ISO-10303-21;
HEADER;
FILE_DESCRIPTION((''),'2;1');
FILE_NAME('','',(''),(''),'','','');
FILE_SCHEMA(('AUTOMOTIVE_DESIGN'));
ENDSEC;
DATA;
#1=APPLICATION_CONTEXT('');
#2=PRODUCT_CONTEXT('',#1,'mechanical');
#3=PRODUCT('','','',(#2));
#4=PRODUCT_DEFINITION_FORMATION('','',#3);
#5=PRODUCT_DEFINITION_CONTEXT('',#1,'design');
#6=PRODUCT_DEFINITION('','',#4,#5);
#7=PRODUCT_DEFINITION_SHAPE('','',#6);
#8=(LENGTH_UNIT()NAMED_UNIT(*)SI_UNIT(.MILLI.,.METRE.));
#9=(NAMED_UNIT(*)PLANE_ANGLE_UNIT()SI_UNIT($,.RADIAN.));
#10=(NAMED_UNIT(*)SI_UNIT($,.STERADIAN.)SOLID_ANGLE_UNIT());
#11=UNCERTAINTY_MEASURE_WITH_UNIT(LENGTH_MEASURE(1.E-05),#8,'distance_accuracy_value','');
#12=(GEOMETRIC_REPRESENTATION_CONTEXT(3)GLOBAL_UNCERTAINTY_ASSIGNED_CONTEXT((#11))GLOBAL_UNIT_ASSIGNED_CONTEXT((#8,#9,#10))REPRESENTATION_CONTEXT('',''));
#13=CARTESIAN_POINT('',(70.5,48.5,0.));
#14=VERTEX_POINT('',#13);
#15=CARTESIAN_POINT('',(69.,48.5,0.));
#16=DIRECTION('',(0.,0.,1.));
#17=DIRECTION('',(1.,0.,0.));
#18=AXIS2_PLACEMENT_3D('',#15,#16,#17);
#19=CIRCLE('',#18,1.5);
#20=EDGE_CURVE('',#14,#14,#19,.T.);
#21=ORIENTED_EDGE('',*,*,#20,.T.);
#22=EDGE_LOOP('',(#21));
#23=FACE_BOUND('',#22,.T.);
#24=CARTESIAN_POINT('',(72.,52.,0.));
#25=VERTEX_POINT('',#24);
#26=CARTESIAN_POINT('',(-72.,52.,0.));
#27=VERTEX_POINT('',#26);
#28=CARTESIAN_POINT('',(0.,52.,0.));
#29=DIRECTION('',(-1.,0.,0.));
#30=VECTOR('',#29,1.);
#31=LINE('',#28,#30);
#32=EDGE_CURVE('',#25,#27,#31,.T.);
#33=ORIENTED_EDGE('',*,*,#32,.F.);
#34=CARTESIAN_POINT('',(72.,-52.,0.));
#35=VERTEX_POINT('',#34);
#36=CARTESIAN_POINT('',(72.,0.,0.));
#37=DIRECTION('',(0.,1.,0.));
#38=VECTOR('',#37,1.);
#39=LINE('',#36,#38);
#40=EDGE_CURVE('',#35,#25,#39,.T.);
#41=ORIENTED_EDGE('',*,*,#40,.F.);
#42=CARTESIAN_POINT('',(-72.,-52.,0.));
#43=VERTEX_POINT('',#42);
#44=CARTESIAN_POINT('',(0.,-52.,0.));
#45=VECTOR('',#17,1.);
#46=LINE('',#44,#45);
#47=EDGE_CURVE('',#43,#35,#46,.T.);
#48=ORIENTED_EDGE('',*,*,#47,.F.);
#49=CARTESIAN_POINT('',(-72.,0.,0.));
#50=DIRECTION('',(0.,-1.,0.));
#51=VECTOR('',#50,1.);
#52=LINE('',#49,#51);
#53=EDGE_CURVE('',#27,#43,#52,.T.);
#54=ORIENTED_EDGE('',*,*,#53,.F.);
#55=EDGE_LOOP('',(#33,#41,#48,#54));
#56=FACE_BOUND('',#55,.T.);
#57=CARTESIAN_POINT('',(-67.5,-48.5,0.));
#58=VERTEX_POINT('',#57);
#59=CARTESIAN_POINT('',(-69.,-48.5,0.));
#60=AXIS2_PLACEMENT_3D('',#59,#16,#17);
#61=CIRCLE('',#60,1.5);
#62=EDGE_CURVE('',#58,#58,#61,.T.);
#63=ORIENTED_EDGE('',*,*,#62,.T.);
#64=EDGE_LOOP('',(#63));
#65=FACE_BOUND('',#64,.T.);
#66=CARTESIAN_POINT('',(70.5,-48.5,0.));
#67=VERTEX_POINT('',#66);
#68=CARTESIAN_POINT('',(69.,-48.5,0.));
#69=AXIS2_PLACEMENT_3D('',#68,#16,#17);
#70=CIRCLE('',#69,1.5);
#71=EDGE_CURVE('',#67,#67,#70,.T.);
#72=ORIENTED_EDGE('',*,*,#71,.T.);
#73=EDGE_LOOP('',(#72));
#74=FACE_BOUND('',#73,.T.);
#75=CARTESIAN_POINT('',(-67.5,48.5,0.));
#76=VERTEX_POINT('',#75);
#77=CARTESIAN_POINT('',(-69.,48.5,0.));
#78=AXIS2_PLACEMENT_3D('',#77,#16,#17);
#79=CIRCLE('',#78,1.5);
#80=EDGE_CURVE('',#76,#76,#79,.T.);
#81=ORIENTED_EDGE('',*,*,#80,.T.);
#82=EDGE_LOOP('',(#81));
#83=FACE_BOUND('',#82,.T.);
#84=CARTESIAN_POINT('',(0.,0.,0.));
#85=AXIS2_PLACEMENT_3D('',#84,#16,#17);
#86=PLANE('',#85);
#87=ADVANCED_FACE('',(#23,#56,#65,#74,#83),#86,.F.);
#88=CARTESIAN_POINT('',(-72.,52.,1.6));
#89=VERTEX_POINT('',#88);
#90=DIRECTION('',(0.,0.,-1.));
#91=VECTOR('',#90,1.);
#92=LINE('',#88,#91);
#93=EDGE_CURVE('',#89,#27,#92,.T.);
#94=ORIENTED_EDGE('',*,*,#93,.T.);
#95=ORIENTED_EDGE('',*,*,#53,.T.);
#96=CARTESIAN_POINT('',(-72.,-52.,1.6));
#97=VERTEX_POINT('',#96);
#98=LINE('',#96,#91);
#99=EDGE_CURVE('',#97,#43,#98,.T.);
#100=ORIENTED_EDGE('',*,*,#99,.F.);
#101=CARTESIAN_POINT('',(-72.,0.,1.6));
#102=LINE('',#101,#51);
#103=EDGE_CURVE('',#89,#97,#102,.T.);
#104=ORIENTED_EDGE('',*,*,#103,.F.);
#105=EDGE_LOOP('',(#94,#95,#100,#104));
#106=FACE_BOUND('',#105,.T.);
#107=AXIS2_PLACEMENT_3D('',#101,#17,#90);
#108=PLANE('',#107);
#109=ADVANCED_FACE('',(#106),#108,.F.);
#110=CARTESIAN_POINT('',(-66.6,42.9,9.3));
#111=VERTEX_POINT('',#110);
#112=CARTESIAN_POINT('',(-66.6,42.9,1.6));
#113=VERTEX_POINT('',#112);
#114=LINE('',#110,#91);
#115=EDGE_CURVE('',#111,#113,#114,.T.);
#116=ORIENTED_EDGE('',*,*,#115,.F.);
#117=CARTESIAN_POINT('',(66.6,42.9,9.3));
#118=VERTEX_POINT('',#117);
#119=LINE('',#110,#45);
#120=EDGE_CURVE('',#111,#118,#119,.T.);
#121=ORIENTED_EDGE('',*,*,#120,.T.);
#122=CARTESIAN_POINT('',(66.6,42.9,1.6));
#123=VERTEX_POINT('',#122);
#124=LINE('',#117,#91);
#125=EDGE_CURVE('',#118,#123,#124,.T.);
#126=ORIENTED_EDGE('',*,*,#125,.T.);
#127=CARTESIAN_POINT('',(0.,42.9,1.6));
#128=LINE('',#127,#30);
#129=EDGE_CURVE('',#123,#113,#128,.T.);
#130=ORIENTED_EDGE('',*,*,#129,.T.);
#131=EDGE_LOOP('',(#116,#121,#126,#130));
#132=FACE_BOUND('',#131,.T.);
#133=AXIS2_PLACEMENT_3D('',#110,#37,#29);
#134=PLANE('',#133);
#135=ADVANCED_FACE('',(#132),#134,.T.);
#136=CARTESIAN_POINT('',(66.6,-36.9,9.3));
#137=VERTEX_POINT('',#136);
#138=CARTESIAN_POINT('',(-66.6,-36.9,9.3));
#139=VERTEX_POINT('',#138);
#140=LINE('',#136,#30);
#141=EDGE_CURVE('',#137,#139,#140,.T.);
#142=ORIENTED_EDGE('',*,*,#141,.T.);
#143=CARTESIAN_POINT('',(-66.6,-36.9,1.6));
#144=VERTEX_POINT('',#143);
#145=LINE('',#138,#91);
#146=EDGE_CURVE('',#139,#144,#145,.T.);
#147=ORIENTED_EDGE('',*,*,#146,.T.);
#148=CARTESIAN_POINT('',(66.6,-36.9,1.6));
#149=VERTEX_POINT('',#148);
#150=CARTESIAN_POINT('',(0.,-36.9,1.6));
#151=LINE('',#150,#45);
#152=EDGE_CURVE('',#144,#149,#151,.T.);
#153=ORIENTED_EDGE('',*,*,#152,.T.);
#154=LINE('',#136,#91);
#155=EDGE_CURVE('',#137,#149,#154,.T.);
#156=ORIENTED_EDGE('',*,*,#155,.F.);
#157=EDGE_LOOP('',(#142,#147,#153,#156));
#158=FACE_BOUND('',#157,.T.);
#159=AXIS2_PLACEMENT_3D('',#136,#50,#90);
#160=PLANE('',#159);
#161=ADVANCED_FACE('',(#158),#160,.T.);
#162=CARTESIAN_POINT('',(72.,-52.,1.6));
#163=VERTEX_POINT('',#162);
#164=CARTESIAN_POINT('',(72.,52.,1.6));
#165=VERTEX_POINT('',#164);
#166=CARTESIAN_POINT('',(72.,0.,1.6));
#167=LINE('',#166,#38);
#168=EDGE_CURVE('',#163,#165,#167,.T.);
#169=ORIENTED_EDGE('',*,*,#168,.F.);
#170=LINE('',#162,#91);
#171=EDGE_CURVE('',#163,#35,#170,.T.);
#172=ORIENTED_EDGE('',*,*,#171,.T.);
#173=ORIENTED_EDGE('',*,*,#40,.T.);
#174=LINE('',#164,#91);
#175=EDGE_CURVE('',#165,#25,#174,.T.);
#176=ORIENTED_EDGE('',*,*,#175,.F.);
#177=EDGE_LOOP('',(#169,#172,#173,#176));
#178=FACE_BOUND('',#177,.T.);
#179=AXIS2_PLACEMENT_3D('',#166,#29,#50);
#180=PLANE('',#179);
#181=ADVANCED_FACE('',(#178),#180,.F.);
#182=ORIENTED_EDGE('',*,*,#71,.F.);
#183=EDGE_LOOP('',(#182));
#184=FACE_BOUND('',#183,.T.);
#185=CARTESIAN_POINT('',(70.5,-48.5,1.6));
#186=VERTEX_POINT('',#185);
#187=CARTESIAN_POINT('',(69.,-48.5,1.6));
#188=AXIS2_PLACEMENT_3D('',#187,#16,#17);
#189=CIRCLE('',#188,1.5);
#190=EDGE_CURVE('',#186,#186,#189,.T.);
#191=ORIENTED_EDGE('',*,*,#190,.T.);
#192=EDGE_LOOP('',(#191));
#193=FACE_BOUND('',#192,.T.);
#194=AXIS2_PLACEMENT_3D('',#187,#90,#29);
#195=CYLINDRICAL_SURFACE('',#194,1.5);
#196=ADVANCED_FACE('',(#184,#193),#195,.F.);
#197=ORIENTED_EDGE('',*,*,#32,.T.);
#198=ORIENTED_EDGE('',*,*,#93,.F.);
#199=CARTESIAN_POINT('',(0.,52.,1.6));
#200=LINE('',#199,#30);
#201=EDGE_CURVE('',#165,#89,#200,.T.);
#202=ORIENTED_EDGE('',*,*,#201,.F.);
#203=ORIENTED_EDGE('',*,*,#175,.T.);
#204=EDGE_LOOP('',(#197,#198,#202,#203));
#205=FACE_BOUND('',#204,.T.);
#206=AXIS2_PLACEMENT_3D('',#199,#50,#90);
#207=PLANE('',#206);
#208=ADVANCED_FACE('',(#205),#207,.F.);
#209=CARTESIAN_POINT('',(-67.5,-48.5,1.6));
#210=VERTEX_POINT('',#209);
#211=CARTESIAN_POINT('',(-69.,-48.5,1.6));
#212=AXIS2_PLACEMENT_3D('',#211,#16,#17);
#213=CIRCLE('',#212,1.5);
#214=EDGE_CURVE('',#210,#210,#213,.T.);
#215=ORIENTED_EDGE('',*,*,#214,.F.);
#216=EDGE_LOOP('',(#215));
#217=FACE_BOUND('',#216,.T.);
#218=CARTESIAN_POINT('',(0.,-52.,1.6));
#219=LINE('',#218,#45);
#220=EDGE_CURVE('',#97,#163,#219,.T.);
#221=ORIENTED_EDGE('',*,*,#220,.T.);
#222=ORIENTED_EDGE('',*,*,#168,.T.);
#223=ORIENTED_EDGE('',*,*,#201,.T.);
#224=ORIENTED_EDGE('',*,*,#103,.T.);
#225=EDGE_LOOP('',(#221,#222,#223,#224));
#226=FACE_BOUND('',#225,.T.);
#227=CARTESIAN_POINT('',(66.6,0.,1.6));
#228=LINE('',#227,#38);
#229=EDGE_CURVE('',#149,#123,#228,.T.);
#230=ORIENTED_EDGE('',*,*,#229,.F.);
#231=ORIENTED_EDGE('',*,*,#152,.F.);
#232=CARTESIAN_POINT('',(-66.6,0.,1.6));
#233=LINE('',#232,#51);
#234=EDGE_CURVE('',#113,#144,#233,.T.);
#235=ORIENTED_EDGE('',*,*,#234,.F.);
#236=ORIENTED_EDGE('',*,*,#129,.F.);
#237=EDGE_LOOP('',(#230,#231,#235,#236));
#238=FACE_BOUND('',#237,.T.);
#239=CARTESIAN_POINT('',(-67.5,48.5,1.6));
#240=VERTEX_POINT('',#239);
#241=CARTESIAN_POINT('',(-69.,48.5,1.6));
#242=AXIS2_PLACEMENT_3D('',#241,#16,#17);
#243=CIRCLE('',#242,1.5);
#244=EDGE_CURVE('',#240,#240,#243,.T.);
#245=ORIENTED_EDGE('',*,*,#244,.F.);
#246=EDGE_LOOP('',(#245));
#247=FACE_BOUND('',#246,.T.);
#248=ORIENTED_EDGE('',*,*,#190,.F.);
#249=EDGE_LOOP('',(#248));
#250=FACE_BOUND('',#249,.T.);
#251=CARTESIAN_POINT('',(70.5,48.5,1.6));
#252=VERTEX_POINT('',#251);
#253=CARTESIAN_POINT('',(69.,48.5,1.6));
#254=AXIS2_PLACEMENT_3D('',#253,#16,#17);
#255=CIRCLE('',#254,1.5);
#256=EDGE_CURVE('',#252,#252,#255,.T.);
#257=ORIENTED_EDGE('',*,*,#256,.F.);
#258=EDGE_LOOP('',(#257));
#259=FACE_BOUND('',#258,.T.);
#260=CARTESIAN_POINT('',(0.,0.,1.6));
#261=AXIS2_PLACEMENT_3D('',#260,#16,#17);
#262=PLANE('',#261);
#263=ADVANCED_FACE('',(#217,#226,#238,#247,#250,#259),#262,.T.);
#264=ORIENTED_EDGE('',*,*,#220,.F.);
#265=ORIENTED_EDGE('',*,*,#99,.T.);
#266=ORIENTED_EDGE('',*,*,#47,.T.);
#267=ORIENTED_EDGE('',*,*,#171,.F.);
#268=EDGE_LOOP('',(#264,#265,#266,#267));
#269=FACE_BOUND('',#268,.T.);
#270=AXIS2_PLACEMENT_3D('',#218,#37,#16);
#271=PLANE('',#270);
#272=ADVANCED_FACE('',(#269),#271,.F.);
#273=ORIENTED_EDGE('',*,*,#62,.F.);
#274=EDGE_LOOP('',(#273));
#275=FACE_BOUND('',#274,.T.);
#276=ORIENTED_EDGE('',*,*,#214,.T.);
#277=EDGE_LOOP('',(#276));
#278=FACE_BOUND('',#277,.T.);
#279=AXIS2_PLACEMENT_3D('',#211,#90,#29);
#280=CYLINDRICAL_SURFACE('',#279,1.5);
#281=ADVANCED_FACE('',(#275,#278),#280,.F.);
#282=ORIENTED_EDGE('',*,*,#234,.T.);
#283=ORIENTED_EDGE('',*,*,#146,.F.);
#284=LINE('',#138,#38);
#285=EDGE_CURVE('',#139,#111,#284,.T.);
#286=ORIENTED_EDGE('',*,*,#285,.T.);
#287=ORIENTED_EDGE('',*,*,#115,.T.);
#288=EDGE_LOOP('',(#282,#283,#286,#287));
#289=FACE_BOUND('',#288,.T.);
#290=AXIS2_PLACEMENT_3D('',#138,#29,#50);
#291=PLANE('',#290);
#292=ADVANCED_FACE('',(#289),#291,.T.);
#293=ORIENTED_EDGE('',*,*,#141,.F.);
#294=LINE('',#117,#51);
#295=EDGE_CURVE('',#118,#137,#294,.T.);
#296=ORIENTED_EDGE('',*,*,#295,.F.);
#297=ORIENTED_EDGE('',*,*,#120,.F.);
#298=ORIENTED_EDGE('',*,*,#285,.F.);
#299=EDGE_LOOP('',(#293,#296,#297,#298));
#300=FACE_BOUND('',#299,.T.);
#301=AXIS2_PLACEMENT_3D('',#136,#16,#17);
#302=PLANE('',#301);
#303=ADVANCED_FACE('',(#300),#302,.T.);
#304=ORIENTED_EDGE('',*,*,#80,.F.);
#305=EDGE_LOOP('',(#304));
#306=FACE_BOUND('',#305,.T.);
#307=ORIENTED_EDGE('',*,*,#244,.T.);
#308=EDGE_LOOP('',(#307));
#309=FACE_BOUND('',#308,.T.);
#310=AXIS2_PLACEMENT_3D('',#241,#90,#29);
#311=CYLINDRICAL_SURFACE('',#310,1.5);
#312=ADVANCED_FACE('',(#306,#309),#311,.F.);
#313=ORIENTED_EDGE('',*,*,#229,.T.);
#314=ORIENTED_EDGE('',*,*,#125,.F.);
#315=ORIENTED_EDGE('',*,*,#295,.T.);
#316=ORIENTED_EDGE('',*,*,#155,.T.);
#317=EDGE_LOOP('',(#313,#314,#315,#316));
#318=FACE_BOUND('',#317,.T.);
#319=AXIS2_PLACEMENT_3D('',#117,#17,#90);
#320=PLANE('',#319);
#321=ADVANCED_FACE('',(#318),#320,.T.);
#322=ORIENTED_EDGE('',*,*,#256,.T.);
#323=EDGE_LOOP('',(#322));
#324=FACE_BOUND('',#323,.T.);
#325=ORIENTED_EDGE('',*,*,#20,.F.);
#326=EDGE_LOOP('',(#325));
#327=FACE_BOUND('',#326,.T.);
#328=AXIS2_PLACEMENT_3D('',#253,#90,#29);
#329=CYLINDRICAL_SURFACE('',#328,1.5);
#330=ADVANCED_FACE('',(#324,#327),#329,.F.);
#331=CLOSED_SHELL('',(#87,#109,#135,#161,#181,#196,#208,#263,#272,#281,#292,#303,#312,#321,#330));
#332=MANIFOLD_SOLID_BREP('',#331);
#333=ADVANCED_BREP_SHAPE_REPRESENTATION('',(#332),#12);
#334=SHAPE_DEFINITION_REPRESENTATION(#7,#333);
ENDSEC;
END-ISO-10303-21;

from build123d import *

# Parameters (mm, degrees)
SKETCH_1_W      = 144
SKETCH_1_H      = 104
SKETCH_1_R      = 1.5
SKETCH_1_W_2    = 133.2
SKETCH_1_H_2    = 79.8
EXTRUDE_1_DEPTH = 1.6
SKETCH_2_W      = 133.2
SKETCH_2_H      = 79.8
EXTRUDE_2_DEPTH = 9.3


with BuildPart() as part:
    # 草图1 → 拉伸1 (new body)
    with BuildSketch(Plane.XY):
        Rectangle(SKETCH_1_W, SKETCH_1_H)
        with Locations((-69, -48.5)):
            Circle(SKETCH_1_R, mode=Mode.SUBTRACT)
        with Locations((-69, 48.5)):
            Circle(SKETCH_1_R, mode=Mode.SUBTRACT)
        with Locations((69, 48.5)):
            Circle(SKETCH_1_R, mode=Mode.SUBTRACT)
        with Locations((69, -48.5)):
            Circle(SKETCH_1_R, mode=Mode.SUBTRACT)
        with Locations((0, 3)):
            Rectangle(SKETCH_1_W_2, SKETCH_1_H_2, mode=Mode.SUBTRACT)
    extrude(amount=EXTRUDE_1_DEPTH)

    # 草图2 → 拉伸2 (add)
    with BuildSketch(Plane(origin=(0, 0, 0), x_dir=(-1, 0, 0), z_dir=(0, 0, -1))):
        with Locations((0, 3)):
            Rectangle(SKETCH_2_W, SKETCH_2_H)
    extrude(amount=-EXTRUDE_2_DEPTH)


solid = part.part
